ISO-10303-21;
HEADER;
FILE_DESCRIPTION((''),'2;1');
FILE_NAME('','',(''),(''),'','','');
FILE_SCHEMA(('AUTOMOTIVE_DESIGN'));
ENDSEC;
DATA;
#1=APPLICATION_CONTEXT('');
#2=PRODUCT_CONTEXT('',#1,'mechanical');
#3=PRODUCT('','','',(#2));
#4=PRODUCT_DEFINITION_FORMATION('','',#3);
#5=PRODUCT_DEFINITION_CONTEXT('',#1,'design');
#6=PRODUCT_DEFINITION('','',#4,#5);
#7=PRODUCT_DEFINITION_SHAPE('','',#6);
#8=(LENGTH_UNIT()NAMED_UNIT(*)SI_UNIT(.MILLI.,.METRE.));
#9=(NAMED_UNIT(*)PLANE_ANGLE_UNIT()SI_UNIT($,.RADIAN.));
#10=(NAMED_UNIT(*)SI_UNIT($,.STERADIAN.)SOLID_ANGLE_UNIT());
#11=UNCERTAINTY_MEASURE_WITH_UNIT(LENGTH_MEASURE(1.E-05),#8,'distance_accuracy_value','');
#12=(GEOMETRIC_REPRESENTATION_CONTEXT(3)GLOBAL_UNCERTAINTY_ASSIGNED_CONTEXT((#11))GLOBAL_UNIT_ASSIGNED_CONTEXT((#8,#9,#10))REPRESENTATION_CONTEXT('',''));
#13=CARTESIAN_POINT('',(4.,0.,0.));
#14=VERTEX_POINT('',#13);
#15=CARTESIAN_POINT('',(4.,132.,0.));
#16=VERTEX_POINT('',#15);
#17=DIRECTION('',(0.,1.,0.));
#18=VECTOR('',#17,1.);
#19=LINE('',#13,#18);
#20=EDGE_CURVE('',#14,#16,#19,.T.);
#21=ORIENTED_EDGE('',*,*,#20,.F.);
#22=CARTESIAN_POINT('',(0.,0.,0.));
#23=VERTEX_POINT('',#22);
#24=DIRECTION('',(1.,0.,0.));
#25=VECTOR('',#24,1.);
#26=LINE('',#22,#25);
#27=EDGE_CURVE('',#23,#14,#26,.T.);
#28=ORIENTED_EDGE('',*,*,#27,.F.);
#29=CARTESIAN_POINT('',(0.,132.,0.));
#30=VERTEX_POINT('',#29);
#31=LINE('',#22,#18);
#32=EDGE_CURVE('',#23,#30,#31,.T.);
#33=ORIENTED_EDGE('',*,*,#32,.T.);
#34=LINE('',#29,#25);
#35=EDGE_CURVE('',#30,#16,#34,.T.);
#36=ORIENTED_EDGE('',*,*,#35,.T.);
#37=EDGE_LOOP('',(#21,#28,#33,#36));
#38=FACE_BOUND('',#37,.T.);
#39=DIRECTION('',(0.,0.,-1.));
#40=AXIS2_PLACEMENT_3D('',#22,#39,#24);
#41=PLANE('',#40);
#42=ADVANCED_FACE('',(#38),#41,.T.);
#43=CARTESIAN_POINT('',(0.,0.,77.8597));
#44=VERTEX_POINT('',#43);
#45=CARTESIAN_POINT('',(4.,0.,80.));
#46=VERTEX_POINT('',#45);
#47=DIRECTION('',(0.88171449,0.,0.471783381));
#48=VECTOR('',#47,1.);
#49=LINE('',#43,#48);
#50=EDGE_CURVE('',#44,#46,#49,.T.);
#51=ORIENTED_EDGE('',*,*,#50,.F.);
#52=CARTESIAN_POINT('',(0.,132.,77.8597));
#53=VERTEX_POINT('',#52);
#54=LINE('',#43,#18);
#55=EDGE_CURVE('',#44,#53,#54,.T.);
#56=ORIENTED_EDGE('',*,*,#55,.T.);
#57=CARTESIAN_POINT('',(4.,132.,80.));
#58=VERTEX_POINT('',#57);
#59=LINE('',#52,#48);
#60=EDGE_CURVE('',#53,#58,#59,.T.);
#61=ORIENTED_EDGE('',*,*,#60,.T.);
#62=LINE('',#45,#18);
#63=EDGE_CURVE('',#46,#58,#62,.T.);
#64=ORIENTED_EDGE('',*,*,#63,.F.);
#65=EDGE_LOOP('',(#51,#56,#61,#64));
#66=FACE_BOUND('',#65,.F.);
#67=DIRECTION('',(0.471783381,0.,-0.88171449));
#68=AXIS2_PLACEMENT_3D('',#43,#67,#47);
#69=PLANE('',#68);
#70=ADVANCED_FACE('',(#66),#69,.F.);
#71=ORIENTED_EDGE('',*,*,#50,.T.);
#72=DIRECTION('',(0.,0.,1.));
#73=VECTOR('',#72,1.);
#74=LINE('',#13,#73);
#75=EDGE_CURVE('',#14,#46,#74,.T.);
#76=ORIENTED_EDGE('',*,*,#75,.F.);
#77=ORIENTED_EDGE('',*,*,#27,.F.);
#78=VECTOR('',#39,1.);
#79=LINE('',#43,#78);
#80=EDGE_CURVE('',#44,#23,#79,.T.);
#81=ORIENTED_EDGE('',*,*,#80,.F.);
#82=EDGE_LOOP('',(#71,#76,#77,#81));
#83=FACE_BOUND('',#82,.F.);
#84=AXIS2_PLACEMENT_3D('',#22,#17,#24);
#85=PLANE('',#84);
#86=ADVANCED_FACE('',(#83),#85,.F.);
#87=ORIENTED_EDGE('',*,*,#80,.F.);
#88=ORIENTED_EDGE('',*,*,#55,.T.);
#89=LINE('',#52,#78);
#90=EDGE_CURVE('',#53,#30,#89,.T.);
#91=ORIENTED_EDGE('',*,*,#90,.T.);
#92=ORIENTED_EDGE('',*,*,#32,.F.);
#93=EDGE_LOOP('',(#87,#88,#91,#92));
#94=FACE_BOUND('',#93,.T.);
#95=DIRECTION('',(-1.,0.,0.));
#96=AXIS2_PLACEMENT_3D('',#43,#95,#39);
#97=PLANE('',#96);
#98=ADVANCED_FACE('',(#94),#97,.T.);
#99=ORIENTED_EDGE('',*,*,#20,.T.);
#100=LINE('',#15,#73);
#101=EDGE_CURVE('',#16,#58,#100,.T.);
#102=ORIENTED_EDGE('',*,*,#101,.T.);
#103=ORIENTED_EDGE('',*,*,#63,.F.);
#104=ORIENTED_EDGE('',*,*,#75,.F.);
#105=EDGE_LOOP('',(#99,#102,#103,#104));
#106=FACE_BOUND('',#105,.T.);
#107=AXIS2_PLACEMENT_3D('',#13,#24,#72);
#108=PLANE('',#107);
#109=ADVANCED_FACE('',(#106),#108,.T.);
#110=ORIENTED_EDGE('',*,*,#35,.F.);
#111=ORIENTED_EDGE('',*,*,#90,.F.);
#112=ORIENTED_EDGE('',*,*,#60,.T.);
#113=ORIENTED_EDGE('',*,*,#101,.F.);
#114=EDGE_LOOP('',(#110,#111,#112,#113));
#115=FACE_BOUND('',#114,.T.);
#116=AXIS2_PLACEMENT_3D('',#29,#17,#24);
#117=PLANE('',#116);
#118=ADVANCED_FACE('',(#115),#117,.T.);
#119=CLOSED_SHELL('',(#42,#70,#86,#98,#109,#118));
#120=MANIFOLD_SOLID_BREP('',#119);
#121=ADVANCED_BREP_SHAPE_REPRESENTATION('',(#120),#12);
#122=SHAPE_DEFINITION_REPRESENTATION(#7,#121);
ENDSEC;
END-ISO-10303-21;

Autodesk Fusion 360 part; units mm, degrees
sketch "Esquisse1" plane through (0, 0, 0) normal (0, 1, 0) x (1, 0, 0)
  line L0 (0, 0) -> (4, 0)
  line L1 (4, 0) -> (4, -80)
  line L2 (0, -77.8597) -> (0, 0)
  line L3 (0, -77.8597) -> (4, -80)
  dimension "d1" = 4
  dimension "d5" = 61.85
extrude "Extrusion1" add sketch "Esquisse1" along normal blind 132
